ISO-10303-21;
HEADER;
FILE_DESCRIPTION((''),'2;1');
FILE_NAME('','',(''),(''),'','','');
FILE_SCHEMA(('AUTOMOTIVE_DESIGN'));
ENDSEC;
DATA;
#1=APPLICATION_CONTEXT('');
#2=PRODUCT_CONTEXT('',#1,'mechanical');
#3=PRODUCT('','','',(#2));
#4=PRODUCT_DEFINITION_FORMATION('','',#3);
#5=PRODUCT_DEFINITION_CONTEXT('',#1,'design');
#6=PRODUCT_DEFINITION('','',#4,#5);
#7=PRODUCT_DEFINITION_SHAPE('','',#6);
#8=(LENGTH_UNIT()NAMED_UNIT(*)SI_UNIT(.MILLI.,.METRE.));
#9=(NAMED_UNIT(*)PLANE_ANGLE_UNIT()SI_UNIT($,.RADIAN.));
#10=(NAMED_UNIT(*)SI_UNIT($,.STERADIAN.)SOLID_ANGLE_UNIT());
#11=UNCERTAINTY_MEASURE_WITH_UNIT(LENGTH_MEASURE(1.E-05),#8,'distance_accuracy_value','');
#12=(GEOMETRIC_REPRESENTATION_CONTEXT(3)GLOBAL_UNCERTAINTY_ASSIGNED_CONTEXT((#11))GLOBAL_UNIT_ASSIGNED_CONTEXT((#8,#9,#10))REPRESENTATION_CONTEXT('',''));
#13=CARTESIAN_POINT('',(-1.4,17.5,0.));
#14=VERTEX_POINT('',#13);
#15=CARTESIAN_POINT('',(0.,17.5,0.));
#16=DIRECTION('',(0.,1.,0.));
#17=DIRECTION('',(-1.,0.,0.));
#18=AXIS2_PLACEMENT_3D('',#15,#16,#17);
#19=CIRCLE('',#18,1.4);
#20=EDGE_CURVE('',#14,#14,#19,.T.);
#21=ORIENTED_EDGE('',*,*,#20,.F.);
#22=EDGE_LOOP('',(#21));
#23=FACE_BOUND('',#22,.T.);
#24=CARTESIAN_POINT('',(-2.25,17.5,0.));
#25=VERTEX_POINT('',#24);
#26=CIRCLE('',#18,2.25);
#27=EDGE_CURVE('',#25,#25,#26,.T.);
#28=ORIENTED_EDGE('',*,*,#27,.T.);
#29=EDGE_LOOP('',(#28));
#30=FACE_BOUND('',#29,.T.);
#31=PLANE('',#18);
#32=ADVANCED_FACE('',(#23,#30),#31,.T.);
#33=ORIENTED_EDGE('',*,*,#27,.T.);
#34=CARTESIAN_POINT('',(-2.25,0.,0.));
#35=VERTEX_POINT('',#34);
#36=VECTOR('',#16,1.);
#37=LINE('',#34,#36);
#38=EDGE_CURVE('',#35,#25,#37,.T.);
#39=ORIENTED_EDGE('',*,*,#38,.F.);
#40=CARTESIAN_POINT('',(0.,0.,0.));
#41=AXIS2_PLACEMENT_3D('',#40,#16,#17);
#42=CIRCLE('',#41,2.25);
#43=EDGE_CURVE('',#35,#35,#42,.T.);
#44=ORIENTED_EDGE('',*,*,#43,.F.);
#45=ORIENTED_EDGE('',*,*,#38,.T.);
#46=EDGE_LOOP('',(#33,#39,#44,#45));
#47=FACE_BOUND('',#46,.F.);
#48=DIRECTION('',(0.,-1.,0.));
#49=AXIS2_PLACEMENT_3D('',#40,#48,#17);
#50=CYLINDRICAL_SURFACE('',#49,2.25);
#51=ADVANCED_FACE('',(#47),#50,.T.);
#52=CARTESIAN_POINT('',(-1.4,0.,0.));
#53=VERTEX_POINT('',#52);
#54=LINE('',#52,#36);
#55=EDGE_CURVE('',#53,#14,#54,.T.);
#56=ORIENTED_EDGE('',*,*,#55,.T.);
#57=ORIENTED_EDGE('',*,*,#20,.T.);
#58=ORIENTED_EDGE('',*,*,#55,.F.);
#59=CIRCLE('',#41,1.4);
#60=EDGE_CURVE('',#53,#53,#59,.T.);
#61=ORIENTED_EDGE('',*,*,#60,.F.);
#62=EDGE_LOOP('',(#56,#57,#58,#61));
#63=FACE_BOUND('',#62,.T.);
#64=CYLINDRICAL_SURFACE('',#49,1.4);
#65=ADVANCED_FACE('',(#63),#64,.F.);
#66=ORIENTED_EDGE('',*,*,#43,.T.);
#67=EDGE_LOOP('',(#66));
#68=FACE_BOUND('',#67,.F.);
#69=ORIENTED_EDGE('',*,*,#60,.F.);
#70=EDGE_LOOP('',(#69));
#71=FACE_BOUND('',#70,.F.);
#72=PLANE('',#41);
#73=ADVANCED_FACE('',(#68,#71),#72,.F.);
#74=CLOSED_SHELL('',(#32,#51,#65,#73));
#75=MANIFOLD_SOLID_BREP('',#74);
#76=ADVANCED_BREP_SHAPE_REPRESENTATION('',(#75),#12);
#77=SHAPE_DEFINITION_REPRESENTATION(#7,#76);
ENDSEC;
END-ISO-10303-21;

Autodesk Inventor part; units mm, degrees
ref_plane "YZ Plane" through (0, 0, 0) normal (1, 0, 0) x (0, 1, 0)
ref_plane "XZ Plane" through (0, 0, 0) normal (0, 1, 0) x (-1, 0, 0)
ref_plane "XY Plane" through (0, 0, 0) normal (0, 0, 1) x (1, 0, 0)
sketch "Sketch1" plane through (0, 0, 0) normal (0, 1, 0) x (-1, 0, 0)
  circle A0 centre (0, 0) radius 2.25
  circle A1 centre (0, 0) radius 1.4
  dimension "d0" = 4.5
  dimension "d1" = 2.8
extrude "Extrusion1" add sketch "Sketch1" along normal blind 17.5
properties part number "Rod Housing Jetson"
